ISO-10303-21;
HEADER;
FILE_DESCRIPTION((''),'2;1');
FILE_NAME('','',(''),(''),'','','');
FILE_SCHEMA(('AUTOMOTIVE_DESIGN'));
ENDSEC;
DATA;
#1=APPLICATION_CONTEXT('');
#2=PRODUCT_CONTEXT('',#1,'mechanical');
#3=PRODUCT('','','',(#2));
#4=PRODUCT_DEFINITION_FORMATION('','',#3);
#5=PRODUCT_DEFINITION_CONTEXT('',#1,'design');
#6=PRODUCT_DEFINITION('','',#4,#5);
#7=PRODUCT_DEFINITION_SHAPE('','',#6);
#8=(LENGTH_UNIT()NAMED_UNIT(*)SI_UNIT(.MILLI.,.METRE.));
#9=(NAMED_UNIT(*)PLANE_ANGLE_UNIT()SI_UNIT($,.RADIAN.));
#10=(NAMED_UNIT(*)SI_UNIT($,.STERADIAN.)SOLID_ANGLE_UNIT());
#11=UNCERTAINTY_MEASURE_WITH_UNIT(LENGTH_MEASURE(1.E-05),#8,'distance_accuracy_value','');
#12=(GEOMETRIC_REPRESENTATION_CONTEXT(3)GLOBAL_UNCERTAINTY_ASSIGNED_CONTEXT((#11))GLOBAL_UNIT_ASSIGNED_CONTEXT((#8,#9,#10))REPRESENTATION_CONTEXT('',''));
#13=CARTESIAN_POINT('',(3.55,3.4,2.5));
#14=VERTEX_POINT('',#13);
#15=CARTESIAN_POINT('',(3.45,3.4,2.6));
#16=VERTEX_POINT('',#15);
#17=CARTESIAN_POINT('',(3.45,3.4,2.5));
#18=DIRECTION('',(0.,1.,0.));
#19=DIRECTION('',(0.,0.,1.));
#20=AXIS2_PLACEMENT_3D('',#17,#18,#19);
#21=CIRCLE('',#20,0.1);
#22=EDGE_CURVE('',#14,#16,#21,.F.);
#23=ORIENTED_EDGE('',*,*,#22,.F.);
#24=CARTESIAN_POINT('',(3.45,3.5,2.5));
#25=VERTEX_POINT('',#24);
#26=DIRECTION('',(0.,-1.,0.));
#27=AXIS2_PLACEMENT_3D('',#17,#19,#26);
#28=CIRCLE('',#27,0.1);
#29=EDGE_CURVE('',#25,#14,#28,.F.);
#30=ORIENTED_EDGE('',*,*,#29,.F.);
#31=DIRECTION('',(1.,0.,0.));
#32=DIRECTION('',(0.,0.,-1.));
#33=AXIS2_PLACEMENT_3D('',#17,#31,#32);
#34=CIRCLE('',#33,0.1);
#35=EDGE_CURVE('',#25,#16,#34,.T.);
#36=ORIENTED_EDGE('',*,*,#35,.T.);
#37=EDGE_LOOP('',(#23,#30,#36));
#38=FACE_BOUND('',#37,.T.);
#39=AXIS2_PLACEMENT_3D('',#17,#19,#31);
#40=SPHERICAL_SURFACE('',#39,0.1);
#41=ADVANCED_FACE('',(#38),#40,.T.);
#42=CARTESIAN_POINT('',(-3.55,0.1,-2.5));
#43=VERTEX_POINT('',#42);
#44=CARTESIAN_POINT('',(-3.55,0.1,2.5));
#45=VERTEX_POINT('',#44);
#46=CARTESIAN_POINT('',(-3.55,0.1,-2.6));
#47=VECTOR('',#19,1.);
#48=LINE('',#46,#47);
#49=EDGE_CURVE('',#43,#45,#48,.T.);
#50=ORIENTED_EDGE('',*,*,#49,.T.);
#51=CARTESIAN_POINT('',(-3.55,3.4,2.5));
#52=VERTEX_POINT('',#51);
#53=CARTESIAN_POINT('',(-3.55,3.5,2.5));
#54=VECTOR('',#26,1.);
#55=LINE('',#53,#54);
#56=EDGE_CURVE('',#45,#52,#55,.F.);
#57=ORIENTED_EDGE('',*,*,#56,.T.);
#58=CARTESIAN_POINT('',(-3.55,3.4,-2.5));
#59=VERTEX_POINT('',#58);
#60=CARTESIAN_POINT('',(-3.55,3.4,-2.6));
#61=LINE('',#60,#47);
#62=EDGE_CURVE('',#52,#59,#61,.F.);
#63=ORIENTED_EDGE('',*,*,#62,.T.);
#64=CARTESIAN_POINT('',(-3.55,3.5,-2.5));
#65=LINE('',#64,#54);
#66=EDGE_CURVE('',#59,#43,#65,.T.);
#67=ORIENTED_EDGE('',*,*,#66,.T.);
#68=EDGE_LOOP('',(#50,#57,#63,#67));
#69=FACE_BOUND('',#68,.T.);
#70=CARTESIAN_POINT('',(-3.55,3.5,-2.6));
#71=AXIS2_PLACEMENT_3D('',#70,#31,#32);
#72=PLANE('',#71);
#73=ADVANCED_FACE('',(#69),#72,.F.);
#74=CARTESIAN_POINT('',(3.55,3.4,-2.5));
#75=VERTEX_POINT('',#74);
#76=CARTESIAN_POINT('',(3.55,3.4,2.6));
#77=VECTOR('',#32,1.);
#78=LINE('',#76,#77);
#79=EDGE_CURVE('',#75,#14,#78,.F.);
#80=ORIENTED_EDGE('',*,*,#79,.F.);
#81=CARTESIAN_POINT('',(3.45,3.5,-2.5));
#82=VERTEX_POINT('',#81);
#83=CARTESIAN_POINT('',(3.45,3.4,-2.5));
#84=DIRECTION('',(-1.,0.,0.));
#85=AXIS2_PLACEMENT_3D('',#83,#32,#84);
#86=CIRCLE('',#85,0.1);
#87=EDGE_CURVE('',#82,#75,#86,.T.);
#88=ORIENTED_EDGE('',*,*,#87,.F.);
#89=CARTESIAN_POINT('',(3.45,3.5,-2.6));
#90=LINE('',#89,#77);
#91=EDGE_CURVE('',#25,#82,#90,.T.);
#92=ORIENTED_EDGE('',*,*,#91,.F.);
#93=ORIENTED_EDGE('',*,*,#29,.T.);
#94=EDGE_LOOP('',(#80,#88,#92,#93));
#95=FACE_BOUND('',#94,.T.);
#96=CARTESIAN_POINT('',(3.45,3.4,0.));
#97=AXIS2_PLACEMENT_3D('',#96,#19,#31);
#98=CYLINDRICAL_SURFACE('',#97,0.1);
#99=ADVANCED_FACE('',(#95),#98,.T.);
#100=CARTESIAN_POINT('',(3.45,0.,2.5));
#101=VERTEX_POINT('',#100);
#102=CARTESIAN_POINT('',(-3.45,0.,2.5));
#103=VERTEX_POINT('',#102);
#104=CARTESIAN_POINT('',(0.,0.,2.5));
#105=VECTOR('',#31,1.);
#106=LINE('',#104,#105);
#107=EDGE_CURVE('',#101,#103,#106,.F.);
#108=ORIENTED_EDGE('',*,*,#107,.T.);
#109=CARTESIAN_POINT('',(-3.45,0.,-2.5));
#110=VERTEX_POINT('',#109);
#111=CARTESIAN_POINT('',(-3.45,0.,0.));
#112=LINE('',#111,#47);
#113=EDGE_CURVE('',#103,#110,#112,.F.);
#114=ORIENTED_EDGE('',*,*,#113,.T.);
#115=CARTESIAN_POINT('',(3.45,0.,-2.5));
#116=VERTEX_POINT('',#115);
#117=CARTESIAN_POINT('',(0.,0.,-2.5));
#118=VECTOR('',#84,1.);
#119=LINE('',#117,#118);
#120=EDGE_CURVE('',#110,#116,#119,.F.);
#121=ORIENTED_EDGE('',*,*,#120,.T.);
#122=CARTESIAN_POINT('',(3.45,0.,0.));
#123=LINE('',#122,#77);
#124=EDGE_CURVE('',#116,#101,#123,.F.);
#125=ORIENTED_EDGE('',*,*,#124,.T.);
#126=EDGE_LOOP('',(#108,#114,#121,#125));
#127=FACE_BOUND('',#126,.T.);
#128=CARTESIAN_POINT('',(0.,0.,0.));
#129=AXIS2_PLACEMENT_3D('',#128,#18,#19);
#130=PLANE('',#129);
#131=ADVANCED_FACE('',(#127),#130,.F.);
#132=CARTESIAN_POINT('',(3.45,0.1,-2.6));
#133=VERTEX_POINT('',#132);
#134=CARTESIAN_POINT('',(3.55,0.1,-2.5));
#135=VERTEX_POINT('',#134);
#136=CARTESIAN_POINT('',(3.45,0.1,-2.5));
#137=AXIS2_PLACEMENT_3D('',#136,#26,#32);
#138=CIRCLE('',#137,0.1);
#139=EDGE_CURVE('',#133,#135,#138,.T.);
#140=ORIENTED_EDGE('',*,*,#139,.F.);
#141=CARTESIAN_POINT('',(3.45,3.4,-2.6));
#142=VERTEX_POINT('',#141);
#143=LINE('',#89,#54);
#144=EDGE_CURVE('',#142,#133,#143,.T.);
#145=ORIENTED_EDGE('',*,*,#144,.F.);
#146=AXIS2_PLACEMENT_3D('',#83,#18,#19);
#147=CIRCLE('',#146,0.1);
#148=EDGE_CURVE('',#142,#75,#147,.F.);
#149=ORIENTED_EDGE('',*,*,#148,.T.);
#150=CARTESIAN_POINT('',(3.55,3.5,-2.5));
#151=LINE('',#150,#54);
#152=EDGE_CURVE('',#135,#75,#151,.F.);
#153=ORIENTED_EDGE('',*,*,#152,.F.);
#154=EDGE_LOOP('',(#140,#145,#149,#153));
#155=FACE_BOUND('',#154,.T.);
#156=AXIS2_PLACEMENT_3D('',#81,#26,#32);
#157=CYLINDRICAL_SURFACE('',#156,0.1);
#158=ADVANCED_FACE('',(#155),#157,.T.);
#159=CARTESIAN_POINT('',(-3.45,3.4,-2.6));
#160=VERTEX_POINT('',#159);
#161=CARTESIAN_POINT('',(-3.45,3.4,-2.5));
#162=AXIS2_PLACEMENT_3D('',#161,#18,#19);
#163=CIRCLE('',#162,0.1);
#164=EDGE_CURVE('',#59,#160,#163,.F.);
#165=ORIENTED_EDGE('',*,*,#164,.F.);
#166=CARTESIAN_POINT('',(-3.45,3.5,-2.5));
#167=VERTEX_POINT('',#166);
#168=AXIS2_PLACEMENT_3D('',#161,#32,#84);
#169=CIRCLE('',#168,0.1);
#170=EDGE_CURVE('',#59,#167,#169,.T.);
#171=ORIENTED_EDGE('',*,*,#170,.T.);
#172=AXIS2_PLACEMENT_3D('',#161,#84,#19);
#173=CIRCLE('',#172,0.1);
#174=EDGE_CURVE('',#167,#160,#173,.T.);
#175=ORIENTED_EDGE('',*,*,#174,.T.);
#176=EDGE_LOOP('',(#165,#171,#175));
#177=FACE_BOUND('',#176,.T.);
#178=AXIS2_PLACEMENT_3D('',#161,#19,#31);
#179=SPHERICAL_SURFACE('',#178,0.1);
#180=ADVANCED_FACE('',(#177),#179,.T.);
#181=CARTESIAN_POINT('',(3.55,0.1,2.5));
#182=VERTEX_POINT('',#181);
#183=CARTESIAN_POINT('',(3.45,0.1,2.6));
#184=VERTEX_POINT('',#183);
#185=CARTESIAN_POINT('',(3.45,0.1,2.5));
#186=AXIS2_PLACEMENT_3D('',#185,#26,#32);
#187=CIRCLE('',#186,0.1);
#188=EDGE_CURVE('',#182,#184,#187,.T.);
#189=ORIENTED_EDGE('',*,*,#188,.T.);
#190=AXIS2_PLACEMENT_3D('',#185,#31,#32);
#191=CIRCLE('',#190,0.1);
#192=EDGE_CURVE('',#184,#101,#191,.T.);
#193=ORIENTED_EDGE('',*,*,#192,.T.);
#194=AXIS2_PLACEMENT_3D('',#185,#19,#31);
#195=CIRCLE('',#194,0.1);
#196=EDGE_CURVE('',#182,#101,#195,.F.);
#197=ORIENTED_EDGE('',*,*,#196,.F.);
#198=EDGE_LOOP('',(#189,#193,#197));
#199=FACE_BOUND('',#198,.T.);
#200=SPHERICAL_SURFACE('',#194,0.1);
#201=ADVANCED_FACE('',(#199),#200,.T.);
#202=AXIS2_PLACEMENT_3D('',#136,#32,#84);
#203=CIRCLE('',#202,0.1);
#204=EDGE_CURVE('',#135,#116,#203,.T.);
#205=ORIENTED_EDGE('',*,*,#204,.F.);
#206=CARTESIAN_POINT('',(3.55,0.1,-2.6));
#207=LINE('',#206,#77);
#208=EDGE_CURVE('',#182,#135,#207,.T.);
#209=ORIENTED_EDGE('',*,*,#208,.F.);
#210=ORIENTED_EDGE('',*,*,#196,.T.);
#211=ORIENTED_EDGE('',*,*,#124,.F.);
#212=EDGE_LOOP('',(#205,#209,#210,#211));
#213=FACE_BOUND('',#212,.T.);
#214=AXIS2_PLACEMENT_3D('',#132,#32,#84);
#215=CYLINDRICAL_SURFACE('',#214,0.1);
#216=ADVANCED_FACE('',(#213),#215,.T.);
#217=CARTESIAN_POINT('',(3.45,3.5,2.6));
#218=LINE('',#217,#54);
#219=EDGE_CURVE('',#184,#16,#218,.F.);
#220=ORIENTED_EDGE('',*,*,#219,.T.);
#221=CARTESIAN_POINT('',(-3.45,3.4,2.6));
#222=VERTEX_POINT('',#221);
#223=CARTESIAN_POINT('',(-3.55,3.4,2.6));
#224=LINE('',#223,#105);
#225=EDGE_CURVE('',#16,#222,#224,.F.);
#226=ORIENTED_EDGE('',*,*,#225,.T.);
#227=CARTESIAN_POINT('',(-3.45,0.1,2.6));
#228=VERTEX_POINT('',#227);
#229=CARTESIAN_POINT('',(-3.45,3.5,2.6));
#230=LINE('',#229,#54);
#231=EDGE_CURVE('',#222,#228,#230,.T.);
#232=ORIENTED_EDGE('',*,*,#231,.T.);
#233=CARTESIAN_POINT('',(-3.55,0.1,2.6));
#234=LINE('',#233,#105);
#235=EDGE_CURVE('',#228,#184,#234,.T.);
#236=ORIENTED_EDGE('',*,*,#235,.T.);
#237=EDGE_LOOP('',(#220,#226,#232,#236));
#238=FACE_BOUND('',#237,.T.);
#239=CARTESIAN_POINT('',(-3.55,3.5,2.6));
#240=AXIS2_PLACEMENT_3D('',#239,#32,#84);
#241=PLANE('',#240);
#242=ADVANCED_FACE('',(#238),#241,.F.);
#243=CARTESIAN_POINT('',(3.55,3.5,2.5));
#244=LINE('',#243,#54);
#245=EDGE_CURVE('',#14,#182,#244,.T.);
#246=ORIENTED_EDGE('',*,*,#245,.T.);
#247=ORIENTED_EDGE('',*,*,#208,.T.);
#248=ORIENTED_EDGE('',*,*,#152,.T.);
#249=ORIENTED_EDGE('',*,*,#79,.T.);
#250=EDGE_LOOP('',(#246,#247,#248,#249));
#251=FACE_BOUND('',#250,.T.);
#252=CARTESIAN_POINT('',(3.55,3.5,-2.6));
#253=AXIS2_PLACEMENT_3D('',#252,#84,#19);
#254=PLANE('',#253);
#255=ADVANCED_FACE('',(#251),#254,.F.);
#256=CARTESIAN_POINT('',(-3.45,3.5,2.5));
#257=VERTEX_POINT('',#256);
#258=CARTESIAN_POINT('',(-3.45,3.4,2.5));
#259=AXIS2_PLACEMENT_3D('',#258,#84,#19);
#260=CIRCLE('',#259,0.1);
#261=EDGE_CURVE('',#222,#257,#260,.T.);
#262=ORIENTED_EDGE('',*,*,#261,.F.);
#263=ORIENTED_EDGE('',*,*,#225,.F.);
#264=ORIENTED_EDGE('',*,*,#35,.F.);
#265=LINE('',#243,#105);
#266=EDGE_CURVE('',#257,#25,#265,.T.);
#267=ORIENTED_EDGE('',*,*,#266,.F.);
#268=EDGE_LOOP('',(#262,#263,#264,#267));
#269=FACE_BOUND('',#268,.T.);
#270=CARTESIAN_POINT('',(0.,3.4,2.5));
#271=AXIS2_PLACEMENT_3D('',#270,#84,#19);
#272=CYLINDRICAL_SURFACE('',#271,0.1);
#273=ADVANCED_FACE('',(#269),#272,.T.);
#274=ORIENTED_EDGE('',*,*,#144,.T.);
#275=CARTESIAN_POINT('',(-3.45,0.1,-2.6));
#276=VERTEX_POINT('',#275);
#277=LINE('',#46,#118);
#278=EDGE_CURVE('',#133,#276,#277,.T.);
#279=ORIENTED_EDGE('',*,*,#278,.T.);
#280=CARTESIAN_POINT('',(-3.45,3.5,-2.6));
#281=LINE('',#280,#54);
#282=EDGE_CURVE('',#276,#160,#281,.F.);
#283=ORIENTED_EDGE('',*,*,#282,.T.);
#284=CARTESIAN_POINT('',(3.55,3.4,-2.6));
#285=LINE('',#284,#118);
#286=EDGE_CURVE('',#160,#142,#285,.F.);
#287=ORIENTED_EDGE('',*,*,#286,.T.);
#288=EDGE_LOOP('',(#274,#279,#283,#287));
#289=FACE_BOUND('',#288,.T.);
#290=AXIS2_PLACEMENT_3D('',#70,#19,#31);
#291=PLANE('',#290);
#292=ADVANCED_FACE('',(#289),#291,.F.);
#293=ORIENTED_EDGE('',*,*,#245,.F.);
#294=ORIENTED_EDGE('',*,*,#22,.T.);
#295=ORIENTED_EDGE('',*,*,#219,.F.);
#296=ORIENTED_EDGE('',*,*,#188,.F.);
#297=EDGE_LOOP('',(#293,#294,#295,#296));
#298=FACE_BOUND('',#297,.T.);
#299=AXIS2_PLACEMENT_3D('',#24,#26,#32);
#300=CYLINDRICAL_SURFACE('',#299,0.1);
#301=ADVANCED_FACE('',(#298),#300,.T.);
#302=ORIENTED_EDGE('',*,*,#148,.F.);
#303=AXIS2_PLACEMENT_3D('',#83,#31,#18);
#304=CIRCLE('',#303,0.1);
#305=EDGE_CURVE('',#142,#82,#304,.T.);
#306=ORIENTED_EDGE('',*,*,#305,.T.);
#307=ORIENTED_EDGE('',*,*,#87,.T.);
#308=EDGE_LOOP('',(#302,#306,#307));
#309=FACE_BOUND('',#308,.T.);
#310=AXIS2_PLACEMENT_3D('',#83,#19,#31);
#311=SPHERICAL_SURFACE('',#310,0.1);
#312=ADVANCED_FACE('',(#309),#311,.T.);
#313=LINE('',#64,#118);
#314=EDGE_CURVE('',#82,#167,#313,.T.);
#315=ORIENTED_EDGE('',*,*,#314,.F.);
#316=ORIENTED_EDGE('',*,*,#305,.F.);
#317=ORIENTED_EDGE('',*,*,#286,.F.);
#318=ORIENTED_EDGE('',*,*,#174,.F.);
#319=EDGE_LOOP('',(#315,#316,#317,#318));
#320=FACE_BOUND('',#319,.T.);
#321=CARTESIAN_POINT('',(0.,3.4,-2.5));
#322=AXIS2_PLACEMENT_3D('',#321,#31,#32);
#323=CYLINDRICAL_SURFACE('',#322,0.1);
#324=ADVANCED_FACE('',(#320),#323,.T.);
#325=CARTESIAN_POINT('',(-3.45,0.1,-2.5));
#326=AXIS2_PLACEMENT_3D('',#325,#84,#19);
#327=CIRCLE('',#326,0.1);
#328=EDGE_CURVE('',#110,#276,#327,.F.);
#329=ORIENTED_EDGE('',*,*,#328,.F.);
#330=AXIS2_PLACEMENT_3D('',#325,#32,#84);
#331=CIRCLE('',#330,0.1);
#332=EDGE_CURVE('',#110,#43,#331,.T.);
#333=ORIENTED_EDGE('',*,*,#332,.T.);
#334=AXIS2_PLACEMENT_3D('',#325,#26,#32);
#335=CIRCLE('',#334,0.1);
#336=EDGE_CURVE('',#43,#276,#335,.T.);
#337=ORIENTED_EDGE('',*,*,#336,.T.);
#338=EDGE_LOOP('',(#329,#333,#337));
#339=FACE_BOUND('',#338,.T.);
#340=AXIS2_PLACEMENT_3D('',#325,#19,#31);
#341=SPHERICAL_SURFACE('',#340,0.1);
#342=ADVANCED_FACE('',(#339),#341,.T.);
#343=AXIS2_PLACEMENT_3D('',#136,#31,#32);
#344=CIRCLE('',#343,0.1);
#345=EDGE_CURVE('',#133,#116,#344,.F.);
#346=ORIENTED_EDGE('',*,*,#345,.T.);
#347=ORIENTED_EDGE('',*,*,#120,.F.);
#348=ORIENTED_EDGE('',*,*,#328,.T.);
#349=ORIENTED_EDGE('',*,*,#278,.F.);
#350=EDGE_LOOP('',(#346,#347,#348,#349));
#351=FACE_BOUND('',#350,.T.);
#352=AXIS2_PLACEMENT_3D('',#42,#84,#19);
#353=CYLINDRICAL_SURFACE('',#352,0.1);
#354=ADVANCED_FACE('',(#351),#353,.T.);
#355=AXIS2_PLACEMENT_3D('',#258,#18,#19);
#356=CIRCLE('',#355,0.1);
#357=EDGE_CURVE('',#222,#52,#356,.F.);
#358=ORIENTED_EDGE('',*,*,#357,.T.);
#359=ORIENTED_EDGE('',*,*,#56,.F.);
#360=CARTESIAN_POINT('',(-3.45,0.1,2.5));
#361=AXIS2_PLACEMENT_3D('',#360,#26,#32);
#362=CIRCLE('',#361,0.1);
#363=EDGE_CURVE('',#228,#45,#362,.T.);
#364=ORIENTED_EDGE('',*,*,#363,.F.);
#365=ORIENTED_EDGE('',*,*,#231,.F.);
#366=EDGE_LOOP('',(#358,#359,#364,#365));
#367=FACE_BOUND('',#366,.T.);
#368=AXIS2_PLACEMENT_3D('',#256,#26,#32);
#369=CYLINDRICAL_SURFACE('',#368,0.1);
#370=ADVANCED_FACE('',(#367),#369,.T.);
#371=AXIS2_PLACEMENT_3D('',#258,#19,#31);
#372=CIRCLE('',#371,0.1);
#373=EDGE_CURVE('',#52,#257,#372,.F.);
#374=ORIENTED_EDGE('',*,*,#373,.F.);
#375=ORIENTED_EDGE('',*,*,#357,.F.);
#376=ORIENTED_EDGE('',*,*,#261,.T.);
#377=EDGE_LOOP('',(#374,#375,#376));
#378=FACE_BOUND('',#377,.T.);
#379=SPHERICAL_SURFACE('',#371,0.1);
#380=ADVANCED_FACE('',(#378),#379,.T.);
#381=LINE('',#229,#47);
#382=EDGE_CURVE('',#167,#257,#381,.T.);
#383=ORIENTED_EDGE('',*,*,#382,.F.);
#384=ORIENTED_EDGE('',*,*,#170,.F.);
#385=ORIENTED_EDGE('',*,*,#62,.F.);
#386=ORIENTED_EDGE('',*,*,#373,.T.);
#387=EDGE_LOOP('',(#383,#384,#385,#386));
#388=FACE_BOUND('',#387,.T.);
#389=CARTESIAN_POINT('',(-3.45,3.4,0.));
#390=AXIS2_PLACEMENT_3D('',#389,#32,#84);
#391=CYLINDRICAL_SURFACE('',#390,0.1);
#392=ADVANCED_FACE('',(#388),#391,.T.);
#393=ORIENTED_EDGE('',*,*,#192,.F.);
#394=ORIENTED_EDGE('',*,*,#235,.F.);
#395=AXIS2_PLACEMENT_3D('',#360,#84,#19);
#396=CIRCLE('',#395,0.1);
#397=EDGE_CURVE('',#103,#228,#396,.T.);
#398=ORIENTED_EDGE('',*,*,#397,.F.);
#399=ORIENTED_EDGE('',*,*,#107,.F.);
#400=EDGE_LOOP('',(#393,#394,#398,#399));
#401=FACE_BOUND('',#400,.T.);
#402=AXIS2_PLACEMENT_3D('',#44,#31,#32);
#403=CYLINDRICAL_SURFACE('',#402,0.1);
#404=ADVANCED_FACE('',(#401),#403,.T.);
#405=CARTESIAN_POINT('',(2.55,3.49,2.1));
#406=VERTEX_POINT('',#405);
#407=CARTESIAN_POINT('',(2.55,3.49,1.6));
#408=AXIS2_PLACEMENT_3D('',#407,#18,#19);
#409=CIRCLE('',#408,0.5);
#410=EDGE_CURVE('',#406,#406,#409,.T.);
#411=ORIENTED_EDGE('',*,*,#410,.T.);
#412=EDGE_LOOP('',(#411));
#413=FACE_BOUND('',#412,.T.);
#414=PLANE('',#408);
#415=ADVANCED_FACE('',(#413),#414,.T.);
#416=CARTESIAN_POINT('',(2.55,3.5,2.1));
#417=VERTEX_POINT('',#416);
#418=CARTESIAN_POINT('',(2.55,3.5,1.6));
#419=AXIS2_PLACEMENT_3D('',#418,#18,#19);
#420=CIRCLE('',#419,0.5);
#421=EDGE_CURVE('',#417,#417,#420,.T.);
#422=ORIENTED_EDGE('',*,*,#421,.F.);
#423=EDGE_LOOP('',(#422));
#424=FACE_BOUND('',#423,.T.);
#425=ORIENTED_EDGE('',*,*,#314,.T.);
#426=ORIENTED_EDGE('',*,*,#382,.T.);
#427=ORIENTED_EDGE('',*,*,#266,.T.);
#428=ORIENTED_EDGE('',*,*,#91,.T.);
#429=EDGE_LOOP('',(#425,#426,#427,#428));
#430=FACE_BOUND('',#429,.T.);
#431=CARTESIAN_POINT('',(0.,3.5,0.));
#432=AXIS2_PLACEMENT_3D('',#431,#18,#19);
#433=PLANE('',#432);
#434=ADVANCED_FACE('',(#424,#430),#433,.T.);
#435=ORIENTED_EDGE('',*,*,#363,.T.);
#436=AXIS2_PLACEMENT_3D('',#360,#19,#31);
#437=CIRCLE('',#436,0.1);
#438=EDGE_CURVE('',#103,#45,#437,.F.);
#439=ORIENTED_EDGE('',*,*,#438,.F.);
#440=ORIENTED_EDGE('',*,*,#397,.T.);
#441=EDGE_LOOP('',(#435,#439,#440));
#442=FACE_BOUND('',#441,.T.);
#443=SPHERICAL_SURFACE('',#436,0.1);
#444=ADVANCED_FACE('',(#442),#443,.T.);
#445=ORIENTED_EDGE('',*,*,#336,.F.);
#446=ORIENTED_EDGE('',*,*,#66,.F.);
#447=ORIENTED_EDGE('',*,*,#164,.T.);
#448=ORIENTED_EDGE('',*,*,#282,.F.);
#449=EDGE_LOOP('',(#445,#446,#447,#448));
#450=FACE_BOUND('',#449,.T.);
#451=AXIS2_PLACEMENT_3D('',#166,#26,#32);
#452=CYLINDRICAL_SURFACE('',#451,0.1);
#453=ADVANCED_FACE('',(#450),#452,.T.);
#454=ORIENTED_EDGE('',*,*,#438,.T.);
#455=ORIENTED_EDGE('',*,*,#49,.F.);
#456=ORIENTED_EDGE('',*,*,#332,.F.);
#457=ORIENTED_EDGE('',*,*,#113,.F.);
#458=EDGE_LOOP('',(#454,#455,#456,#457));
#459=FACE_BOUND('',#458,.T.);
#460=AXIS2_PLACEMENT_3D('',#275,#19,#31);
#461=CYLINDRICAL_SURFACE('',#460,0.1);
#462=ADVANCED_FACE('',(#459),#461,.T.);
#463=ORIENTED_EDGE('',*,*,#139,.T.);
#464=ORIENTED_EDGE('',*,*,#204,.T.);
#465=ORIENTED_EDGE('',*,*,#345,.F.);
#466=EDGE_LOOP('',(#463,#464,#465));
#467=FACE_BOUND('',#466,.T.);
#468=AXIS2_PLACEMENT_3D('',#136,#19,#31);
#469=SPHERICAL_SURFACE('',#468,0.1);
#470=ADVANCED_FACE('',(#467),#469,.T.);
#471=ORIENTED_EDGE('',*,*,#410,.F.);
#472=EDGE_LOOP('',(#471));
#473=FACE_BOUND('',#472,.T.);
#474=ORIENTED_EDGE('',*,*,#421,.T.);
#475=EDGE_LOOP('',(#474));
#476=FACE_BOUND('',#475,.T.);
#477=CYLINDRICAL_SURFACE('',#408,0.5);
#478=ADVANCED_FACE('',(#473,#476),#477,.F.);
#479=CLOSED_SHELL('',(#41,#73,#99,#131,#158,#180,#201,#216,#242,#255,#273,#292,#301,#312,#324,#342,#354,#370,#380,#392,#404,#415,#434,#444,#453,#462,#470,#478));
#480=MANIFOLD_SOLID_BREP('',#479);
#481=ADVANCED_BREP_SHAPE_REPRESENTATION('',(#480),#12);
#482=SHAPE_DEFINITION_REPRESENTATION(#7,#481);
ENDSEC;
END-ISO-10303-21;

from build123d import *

# Parameters (mm, degrees)
SKETCH1_W           = 7.1
SKETCH1_H           = 5.2
BOSS_EXTRUDE1_DEPTH = 3.5
FILLET1_R           = 0.1
SKETCH2_R           = 0.5
CUT_EXTRUDE1_DEPTH  = 0.01


with BuildPart() as part:
    # Sketch1 → Boss-Extrude1 (new body)
    with BuildSketch(Plane(origin=(0, 0, 0), x_dir=(1, 0, 0), z_dir=(0, 1, 0))):
        Rectangle(SKETCH1_W, SKETCH1_H)
    extrude(amount=BOSS_EXTRUDE1_DEPTH)

    # Fillet1
    fillet1_edges = [part.edges().sort_by_distance(p)[0] for p in [
        (-3.55, 3.5, 0),
        (0, 3.5, 2.6),
        (3.55, 3.5, 0),
        (0, 0, 2.6),
        (-3.55, 0, 0),
        (0, 0, -2.6),
        (3.55, 0, 0),
        (0, 3.5, -2.6),
        (3.55, 1.75, 2.6),
        (-3.55, 1.75, 2.6),
        (-3.55, 1.75, -2.6),
        (3.55, 1.75, -2.6),
    ]]
    fillet(fillet1_edges, radius=FILLET1_R)

    # Sketch2 → Cut-Extrude1 (cut)
    with BuildSketch(Plane(origin=(0, 3.5, 0), x_dir=(1, 0, 0), z_dir=(0, 1, 0))):
        with Locations((2.55, -1.6)):
            Circle(SKETCH2_R)
    extrude(amount=-CUT_EXTRUDE1_DEPTH, mode=Mode.SUBTRACT)


solid = part.part
